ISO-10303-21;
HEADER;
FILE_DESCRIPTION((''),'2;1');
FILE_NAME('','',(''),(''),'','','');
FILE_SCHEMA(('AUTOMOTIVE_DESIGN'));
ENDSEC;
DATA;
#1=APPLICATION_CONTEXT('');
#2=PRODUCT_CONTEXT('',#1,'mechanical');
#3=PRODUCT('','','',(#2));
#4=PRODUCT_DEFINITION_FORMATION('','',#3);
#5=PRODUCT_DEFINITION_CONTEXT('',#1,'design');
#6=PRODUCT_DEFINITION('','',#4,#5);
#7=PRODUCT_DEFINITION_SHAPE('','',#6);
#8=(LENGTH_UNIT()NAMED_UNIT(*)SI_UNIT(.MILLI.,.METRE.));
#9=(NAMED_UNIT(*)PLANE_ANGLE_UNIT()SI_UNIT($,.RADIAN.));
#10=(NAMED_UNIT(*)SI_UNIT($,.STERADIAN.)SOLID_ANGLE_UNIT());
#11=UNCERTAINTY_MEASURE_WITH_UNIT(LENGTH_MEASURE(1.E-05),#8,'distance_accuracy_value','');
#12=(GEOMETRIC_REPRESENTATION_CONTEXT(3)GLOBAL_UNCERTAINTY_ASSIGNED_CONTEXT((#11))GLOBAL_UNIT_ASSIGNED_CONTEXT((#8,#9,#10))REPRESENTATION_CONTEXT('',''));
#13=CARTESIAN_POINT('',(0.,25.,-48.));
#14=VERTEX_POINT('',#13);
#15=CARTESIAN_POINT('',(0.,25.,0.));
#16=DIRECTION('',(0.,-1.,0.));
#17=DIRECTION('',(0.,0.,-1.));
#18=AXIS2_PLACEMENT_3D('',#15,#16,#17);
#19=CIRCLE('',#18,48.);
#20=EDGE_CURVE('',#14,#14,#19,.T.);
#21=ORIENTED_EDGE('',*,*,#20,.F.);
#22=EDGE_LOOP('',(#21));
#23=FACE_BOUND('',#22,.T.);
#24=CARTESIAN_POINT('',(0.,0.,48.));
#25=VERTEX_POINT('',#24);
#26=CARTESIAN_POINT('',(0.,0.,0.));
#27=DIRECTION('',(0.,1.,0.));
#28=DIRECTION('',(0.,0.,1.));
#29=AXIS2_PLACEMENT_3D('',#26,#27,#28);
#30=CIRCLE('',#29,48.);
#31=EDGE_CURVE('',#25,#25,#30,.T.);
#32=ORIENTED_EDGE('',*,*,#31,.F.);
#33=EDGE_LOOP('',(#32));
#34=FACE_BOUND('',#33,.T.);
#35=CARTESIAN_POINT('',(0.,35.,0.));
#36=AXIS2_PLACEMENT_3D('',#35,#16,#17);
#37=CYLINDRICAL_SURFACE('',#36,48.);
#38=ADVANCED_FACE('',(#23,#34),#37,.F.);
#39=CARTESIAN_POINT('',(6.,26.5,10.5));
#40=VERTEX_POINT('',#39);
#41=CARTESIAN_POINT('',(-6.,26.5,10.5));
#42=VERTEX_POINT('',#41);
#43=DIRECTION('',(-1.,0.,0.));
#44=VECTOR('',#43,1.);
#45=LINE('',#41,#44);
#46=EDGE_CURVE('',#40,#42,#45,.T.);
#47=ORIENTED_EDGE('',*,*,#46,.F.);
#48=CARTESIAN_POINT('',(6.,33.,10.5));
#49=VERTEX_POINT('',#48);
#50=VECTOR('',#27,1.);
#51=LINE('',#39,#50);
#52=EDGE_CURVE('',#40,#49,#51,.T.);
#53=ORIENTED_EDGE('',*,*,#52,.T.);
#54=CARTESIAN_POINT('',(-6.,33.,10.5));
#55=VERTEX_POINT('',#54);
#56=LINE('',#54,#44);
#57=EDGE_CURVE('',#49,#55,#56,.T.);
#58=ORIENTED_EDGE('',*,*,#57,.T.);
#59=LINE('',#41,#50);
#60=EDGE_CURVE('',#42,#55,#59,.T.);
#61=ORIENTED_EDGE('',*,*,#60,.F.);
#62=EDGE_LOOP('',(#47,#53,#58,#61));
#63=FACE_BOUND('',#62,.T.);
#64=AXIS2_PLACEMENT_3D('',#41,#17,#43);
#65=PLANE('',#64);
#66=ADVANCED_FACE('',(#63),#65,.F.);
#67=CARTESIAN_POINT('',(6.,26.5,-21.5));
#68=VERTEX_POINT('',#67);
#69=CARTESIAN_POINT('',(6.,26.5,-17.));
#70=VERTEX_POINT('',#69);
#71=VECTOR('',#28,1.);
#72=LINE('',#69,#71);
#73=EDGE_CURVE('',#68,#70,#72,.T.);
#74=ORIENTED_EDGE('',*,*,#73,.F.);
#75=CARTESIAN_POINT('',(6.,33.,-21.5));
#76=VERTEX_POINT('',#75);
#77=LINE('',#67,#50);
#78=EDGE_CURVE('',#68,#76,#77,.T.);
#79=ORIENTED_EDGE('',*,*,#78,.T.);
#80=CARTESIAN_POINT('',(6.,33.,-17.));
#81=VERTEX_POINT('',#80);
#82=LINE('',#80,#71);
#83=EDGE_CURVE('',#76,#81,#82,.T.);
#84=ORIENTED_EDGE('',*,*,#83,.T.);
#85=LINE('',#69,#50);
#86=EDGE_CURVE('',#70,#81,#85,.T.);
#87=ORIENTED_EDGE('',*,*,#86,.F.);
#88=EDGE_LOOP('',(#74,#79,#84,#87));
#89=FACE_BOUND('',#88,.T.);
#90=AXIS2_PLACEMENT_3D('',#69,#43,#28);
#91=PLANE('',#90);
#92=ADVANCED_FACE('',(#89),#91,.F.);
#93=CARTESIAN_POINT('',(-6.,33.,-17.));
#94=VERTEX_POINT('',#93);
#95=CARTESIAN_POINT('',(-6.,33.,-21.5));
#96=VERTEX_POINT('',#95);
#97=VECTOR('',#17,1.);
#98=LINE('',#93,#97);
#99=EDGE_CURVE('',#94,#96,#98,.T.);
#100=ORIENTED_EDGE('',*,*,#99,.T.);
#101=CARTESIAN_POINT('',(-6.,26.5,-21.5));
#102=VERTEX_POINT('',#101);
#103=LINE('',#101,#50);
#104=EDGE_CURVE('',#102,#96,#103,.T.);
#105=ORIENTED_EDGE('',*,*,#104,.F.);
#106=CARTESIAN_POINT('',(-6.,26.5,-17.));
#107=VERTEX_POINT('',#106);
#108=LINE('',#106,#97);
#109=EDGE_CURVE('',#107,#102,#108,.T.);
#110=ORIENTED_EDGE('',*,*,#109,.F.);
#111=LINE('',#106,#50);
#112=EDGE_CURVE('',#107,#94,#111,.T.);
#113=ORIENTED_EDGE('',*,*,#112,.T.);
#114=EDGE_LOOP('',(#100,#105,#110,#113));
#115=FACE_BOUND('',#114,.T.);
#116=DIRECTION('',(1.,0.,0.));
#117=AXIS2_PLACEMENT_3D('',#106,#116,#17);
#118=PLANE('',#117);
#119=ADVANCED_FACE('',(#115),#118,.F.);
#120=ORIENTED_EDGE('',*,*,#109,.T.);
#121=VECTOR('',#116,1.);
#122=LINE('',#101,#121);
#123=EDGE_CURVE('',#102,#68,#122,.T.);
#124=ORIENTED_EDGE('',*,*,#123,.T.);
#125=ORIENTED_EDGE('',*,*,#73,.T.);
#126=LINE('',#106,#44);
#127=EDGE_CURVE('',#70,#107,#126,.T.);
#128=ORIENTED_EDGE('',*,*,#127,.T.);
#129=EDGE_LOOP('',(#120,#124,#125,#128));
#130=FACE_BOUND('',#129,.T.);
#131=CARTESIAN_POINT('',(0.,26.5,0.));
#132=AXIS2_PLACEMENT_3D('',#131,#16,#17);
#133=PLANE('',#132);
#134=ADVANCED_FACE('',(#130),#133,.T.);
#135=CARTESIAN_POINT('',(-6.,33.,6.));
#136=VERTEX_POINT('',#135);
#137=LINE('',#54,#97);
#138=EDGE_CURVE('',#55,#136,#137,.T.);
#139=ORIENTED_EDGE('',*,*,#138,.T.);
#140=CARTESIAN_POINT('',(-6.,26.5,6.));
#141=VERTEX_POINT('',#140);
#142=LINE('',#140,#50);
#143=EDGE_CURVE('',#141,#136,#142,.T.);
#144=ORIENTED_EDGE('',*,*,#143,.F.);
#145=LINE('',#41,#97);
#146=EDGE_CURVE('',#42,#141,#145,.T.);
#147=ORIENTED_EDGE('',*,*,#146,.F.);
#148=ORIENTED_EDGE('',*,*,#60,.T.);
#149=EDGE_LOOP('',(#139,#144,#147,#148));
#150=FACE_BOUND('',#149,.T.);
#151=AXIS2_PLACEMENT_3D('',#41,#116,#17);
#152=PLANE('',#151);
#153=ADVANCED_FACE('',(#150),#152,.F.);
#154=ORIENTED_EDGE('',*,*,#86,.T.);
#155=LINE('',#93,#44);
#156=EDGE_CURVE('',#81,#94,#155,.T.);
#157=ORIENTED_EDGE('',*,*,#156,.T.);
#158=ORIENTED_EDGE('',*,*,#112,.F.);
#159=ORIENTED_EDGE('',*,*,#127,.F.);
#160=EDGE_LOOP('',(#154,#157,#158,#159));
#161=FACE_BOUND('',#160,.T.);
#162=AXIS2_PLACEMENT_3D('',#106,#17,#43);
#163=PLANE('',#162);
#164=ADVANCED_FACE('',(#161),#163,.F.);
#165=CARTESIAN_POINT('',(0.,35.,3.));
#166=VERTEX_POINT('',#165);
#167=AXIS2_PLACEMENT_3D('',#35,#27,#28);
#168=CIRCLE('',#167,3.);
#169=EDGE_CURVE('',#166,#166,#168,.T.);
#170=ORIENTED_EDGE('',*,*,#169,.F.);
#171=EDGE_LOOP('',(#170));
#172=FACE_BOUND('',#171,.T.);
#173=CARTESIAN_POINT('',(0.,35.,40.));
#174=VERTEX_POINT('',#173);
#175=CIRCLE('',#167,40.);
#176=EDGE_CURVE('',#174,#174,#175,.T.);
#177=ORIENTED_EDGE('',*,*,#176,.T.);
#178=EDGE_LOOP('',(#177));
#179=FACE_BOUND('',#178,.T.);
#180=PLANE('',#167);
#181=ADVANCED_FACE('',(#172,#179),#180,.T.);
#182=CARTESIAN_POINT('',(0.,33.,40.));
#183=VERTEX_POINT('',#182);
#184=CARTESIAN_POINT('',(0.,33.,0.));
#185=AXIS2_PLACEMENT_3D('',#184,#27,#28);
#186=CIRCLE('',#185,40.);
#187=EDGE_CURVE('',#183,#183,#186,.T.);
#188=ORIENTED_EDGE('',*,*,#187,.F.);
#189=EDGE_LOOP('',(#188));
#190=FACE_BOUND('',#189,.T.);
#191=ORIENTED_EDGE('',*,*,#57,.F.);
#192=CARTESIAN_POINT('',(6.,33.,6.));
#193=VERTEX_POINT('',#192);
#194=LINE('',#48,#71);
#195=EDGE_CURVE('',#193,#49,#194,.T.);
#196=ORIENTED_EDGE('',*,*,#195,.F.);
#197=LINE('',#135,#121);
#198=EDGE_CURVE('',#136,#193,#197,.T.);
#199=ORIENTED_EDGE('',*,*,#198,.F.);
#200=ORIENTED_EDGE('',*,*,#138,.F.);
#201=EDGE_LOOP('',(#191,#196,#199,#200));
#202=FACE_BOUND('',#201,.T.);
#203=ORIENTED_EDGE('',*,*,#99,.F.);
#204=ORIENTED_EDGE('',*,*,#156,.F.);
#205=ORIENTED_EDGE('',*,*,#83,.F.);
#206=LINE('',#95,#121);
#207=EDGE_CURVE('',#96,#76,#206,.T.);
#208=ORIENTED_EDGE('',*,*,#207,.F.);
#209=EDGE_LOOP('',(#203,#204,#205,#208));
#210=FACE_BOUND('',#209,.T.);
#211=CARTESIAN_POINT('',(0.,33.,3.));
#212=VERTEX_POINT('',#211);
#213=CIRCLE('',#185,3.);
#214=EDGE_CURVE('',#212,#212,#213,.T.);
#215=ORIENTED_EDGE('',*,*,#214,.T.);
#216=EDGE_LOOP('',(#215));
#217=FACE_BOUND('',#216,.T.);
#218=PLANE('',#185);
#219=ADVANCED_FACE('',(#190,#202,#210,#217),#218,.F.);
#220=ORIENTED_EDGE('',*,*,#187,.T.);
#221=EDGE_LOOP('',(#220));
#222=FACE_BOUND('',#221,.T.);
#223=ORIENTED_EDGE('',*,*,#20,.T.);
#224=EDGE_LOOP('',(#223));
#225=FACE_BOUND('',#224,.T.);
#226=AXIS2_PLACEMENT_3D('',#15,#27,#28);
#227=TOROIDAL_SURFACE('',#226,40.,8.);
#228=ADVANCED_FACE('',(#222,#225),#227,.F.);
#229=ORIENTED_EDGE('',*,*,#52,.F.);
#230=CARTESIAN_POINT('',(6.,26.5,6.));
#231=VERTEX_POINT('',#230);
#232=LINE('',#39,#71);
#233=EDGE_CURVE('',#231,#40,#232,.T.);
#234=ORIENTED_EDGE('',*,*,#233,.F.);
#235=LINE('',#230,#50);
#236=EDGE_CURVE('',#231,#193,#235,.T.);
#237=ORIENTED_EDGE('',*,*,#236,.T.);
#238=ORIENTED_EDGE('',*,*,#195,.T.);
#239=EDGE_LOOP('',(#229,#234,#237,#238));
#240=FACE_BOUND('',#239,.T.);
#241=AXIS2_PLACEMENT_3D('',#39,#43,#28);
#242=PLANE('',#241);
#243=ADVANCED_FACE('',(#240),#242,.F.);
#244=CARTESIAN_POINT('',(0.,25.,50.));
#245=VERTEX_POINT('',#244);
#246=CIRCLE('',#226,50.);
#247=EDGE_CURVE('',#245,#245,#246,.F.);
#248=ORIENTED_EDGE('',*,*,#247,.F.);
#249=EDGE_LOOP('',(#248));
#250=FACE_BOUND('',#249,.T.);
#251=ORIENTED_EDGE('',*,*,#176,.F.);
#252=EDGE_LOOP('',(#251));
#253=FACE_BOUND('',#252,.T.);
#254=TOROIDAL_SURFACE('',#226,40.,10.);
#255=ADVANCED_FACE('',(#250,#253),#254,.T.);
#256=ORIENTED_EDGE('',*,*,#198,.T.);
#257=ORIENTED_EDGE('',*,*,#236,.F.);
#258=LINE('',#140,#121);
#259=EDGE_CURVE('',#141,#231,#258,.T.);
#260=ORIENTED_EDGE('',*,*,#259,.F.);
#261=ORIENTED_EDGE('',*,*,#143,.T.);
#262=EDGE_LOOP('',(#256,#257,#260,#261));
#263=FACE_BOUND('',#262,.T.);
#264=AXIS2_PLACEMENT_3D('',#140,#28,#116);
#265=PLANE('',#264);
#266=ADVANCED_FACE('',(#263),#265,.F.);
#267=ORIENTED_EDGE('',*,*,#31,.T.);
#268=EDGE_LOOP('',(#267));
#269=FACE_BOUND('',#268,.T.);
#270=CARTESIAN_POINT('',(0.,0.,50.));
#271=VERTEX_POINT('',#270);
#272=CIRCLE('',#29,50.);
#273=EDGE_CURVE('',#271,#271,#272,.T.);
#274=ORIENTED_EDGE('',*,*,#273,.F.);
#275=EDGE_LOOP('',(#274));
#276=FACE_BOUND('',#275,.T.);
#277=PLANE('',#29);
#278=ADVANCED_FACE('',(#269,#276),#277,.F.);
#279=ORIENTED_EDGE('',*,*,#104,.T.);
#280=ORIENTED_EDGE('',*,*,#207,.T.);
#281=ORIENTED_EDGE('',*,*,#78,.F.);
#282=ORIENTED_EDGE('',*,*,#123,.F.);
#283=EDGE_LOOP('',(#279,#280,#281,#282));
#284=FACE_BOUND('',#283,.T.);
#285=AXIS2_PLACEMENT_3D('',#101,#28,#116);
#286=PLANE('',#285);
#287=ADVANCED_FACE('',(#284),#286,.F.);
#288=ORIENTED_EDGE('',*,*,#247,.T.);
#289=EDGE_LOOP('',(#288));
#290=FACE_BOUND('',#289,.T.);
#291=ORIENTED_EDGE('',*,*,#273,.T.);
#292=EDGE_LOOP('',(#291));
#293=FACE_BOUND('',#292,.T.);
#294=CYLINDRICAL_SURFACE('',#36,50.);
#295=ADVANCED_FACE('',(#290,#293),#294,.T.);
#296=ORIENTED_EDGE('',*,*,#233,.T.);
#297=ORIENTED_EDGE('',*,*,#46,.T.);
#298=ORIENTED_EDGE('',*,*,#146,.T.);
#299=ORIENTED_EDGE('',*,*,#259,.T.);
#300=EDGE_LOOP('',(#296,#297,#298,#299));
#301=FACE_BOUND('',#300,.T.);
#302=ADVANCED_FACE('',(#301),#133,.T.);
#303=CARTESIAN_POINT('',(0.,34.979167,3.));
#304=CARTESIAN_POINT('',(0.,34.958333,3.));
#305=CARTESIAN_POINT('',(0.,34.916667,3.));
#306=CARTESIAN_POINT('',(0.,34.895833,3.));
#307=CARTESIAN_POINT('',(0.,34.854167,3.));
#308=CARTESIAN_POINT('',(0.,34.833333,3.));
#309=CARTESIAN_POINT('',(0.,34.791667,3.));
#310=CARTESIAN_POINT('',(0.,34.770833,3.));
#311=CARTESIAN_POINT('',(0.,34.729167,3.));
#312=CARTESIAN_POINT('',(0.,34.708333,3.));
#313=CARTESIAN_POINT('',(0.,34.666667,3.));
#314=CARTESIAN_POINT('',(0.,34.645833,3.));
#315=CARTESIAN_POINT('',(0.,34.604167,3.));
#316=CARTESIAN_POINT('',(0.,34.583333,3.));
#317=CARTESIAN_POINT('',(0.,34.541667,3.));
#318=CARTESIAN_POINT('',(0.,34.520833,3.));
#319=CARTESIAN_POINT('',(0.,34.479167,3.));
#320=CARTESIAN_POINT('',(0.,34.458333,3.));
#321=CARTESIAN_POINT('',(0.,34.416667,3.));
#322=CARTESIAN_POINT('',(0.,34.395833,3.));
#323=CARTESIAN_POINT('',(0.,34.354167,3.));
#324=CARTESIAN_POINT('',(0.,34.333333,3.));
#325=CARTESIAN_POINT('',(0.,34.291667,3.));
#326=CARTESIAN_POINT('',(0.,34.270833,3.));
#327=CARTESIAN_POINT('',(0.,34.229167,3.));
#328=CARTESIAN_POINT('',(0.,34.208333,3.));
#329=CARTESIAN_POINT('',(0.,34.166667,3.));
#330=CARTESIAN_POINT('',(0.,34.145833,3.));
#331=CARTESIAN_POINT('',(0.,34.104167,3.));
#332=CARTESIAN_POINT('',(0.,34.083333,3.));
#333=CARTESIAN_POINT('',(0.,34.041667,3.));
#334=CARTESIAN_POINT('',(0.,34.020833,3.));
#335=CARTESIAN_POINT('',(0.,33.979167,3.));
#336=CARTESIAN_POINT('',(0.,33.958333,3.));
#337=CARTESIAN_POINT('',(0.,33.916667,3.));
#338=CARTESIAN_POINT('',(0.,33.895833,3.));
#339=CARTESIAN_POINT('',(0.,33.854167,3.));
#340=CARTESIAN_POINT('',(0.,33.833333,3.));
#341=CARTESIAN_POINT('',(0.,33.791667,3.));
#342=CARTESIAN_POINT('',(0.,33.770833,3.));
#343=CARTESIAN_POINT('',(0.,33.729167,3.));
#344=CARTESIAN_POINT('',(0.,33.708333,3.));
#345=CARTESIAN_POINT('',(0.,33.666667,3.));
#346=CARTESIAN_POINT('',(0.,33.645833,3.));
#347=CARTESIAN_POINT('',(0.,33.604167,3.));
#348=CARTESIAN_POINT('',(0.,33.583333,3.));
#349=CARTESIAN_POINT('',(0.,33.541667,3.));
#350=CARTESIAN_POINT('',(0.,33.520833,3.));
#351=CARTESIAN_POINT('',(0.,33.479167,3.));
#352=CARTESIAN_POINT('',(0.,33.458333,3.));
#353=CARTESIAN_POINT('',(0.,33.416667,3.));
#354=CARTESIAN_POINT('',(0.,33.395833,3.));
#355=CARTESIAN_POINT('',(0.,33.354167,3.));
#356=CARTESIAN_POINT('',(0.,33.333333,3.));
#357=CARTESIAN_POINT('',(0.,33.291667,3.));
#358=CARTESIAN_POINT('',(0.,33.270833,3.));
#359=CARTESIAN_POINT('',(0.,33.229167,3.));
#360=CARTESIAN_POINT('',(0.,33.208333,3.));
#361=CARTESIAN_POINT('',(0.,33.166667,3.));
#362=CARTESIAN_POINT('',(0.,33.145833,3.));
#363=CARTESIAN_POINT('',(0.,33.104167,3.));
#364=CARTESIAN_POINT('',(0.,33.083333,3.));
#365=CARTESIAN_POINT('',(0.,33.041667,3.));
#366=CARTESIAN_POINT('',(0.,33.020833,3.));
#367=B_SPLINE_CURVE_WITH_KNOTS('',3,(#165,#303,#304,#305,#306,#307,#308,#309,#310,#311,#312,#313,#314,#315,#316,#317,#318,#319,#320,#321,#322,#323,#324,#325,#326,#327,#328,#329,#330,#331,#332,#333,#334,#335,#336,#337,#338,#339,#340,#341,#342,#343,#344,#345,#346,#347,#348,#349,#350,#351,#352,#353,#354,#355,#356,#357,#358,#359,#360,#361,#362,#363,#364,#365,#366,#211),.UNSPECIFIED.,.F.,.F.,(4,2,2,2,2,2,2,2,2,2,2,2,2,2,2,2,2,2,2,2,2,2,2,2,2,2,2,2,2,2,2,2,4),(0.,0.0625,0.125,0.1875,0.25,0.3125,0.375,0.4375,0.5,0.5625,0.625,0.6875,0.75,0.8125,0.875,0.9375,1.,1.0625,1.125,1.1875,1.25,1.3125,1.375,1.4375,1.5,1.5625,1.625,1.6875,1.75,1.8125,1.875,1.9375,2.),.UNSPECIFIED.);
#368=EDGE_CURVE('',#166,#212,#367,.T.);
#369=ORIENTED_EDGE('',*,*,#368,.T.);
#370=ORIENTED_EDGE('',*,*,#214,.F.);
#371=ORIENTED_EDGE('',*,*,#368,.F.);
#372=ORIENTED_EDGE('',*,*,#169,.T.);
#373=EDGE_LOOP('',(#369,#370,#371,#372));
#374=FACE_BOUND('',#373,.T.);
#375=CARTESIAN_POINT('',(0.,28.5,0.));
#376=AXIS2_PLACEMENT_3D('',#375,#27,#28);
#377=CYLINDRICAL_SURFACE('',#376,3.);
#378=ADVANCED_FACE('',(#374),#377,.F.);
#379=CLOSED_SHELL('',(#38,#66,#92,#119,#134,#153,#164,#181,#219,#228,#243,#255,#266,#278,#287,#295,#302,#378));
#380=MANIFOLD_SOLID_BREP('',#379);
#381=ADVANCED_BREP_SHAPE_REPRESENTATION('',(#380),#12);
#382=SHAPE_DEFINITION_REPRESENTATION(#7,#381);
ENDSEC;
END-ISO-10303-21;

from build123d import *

# Parameters (mm, degrees)
SKETCH1_R           = 50
BOSS_EXTRUDE1_DEPTH = 35
FILLET1_R           = 10
SHELL1_T            = -2
SKETCH2_W           = 12
SKETCH2_H           = 4.5
BOSS_EXTRUDE2_DEPTH = 6.5
SKETCH3_R           = 3
CUT_EXTRUDE1_DEPTH  = 6.5


with BuildPart() as part:
    # Sketch1 → Boss-Extrude1 (new body)
    with BuildSketch(Plane(origin=(0, 0, 0), x_dir=(1, 0, 0), z_dir=(0, 1, 0))):
        with Locations(Location((0, 0, 0), (0, 0, 270))):
            Circle(SKETCH1_R)
    extrude(amount=BOSS_EXTRUDE1_DEPTH)

    # Fillet1
    fillet1_edges = [part.edges().sort_by_distance(p)[0] for p in [
        (0, 35, -50),
    ]]
    fillet(fillet1_edges, radius=FILLET1_R)

    # Shell1
    shell1_openings = [part.faces().sort_by_distance(p)[0] for p in [
        (0, 0, 0),
    ]]
    offset(amount=SHELL1_T, openings=shell1_openings, kind=Kind.INTERSECTION)

    # Sketch2 → Boss-Extrude2 (add)
    with BuildSketch(Plane.XZ.offset(-33)):
        with Locations((0, 8.25)):
            Rectangle(SKETCH2_W, SKETCH2_H)
        with Locations((0, -19.25)):
            Rectangle(SKETCH2_W, SKETCH2_H)
    extrude(amount=BOSS_EXTRUDE2_DEPTH)

    # Sketch3 → Cut-Extrude1 (cut)
    with BuildSketch(Plane(origin=(0, 35, 0), x_dir=(1, 0, 0), z_dir=(0, 1, 0))):
        with Locations(Location((0, 0, 0), (0, 0, 270))):
            Circle(SKETCH3_R)
    extrude(amount=-CUT_EXTRUDE1_DEPTH, mode=Mode.SUBTRACT)


solid = part.part
